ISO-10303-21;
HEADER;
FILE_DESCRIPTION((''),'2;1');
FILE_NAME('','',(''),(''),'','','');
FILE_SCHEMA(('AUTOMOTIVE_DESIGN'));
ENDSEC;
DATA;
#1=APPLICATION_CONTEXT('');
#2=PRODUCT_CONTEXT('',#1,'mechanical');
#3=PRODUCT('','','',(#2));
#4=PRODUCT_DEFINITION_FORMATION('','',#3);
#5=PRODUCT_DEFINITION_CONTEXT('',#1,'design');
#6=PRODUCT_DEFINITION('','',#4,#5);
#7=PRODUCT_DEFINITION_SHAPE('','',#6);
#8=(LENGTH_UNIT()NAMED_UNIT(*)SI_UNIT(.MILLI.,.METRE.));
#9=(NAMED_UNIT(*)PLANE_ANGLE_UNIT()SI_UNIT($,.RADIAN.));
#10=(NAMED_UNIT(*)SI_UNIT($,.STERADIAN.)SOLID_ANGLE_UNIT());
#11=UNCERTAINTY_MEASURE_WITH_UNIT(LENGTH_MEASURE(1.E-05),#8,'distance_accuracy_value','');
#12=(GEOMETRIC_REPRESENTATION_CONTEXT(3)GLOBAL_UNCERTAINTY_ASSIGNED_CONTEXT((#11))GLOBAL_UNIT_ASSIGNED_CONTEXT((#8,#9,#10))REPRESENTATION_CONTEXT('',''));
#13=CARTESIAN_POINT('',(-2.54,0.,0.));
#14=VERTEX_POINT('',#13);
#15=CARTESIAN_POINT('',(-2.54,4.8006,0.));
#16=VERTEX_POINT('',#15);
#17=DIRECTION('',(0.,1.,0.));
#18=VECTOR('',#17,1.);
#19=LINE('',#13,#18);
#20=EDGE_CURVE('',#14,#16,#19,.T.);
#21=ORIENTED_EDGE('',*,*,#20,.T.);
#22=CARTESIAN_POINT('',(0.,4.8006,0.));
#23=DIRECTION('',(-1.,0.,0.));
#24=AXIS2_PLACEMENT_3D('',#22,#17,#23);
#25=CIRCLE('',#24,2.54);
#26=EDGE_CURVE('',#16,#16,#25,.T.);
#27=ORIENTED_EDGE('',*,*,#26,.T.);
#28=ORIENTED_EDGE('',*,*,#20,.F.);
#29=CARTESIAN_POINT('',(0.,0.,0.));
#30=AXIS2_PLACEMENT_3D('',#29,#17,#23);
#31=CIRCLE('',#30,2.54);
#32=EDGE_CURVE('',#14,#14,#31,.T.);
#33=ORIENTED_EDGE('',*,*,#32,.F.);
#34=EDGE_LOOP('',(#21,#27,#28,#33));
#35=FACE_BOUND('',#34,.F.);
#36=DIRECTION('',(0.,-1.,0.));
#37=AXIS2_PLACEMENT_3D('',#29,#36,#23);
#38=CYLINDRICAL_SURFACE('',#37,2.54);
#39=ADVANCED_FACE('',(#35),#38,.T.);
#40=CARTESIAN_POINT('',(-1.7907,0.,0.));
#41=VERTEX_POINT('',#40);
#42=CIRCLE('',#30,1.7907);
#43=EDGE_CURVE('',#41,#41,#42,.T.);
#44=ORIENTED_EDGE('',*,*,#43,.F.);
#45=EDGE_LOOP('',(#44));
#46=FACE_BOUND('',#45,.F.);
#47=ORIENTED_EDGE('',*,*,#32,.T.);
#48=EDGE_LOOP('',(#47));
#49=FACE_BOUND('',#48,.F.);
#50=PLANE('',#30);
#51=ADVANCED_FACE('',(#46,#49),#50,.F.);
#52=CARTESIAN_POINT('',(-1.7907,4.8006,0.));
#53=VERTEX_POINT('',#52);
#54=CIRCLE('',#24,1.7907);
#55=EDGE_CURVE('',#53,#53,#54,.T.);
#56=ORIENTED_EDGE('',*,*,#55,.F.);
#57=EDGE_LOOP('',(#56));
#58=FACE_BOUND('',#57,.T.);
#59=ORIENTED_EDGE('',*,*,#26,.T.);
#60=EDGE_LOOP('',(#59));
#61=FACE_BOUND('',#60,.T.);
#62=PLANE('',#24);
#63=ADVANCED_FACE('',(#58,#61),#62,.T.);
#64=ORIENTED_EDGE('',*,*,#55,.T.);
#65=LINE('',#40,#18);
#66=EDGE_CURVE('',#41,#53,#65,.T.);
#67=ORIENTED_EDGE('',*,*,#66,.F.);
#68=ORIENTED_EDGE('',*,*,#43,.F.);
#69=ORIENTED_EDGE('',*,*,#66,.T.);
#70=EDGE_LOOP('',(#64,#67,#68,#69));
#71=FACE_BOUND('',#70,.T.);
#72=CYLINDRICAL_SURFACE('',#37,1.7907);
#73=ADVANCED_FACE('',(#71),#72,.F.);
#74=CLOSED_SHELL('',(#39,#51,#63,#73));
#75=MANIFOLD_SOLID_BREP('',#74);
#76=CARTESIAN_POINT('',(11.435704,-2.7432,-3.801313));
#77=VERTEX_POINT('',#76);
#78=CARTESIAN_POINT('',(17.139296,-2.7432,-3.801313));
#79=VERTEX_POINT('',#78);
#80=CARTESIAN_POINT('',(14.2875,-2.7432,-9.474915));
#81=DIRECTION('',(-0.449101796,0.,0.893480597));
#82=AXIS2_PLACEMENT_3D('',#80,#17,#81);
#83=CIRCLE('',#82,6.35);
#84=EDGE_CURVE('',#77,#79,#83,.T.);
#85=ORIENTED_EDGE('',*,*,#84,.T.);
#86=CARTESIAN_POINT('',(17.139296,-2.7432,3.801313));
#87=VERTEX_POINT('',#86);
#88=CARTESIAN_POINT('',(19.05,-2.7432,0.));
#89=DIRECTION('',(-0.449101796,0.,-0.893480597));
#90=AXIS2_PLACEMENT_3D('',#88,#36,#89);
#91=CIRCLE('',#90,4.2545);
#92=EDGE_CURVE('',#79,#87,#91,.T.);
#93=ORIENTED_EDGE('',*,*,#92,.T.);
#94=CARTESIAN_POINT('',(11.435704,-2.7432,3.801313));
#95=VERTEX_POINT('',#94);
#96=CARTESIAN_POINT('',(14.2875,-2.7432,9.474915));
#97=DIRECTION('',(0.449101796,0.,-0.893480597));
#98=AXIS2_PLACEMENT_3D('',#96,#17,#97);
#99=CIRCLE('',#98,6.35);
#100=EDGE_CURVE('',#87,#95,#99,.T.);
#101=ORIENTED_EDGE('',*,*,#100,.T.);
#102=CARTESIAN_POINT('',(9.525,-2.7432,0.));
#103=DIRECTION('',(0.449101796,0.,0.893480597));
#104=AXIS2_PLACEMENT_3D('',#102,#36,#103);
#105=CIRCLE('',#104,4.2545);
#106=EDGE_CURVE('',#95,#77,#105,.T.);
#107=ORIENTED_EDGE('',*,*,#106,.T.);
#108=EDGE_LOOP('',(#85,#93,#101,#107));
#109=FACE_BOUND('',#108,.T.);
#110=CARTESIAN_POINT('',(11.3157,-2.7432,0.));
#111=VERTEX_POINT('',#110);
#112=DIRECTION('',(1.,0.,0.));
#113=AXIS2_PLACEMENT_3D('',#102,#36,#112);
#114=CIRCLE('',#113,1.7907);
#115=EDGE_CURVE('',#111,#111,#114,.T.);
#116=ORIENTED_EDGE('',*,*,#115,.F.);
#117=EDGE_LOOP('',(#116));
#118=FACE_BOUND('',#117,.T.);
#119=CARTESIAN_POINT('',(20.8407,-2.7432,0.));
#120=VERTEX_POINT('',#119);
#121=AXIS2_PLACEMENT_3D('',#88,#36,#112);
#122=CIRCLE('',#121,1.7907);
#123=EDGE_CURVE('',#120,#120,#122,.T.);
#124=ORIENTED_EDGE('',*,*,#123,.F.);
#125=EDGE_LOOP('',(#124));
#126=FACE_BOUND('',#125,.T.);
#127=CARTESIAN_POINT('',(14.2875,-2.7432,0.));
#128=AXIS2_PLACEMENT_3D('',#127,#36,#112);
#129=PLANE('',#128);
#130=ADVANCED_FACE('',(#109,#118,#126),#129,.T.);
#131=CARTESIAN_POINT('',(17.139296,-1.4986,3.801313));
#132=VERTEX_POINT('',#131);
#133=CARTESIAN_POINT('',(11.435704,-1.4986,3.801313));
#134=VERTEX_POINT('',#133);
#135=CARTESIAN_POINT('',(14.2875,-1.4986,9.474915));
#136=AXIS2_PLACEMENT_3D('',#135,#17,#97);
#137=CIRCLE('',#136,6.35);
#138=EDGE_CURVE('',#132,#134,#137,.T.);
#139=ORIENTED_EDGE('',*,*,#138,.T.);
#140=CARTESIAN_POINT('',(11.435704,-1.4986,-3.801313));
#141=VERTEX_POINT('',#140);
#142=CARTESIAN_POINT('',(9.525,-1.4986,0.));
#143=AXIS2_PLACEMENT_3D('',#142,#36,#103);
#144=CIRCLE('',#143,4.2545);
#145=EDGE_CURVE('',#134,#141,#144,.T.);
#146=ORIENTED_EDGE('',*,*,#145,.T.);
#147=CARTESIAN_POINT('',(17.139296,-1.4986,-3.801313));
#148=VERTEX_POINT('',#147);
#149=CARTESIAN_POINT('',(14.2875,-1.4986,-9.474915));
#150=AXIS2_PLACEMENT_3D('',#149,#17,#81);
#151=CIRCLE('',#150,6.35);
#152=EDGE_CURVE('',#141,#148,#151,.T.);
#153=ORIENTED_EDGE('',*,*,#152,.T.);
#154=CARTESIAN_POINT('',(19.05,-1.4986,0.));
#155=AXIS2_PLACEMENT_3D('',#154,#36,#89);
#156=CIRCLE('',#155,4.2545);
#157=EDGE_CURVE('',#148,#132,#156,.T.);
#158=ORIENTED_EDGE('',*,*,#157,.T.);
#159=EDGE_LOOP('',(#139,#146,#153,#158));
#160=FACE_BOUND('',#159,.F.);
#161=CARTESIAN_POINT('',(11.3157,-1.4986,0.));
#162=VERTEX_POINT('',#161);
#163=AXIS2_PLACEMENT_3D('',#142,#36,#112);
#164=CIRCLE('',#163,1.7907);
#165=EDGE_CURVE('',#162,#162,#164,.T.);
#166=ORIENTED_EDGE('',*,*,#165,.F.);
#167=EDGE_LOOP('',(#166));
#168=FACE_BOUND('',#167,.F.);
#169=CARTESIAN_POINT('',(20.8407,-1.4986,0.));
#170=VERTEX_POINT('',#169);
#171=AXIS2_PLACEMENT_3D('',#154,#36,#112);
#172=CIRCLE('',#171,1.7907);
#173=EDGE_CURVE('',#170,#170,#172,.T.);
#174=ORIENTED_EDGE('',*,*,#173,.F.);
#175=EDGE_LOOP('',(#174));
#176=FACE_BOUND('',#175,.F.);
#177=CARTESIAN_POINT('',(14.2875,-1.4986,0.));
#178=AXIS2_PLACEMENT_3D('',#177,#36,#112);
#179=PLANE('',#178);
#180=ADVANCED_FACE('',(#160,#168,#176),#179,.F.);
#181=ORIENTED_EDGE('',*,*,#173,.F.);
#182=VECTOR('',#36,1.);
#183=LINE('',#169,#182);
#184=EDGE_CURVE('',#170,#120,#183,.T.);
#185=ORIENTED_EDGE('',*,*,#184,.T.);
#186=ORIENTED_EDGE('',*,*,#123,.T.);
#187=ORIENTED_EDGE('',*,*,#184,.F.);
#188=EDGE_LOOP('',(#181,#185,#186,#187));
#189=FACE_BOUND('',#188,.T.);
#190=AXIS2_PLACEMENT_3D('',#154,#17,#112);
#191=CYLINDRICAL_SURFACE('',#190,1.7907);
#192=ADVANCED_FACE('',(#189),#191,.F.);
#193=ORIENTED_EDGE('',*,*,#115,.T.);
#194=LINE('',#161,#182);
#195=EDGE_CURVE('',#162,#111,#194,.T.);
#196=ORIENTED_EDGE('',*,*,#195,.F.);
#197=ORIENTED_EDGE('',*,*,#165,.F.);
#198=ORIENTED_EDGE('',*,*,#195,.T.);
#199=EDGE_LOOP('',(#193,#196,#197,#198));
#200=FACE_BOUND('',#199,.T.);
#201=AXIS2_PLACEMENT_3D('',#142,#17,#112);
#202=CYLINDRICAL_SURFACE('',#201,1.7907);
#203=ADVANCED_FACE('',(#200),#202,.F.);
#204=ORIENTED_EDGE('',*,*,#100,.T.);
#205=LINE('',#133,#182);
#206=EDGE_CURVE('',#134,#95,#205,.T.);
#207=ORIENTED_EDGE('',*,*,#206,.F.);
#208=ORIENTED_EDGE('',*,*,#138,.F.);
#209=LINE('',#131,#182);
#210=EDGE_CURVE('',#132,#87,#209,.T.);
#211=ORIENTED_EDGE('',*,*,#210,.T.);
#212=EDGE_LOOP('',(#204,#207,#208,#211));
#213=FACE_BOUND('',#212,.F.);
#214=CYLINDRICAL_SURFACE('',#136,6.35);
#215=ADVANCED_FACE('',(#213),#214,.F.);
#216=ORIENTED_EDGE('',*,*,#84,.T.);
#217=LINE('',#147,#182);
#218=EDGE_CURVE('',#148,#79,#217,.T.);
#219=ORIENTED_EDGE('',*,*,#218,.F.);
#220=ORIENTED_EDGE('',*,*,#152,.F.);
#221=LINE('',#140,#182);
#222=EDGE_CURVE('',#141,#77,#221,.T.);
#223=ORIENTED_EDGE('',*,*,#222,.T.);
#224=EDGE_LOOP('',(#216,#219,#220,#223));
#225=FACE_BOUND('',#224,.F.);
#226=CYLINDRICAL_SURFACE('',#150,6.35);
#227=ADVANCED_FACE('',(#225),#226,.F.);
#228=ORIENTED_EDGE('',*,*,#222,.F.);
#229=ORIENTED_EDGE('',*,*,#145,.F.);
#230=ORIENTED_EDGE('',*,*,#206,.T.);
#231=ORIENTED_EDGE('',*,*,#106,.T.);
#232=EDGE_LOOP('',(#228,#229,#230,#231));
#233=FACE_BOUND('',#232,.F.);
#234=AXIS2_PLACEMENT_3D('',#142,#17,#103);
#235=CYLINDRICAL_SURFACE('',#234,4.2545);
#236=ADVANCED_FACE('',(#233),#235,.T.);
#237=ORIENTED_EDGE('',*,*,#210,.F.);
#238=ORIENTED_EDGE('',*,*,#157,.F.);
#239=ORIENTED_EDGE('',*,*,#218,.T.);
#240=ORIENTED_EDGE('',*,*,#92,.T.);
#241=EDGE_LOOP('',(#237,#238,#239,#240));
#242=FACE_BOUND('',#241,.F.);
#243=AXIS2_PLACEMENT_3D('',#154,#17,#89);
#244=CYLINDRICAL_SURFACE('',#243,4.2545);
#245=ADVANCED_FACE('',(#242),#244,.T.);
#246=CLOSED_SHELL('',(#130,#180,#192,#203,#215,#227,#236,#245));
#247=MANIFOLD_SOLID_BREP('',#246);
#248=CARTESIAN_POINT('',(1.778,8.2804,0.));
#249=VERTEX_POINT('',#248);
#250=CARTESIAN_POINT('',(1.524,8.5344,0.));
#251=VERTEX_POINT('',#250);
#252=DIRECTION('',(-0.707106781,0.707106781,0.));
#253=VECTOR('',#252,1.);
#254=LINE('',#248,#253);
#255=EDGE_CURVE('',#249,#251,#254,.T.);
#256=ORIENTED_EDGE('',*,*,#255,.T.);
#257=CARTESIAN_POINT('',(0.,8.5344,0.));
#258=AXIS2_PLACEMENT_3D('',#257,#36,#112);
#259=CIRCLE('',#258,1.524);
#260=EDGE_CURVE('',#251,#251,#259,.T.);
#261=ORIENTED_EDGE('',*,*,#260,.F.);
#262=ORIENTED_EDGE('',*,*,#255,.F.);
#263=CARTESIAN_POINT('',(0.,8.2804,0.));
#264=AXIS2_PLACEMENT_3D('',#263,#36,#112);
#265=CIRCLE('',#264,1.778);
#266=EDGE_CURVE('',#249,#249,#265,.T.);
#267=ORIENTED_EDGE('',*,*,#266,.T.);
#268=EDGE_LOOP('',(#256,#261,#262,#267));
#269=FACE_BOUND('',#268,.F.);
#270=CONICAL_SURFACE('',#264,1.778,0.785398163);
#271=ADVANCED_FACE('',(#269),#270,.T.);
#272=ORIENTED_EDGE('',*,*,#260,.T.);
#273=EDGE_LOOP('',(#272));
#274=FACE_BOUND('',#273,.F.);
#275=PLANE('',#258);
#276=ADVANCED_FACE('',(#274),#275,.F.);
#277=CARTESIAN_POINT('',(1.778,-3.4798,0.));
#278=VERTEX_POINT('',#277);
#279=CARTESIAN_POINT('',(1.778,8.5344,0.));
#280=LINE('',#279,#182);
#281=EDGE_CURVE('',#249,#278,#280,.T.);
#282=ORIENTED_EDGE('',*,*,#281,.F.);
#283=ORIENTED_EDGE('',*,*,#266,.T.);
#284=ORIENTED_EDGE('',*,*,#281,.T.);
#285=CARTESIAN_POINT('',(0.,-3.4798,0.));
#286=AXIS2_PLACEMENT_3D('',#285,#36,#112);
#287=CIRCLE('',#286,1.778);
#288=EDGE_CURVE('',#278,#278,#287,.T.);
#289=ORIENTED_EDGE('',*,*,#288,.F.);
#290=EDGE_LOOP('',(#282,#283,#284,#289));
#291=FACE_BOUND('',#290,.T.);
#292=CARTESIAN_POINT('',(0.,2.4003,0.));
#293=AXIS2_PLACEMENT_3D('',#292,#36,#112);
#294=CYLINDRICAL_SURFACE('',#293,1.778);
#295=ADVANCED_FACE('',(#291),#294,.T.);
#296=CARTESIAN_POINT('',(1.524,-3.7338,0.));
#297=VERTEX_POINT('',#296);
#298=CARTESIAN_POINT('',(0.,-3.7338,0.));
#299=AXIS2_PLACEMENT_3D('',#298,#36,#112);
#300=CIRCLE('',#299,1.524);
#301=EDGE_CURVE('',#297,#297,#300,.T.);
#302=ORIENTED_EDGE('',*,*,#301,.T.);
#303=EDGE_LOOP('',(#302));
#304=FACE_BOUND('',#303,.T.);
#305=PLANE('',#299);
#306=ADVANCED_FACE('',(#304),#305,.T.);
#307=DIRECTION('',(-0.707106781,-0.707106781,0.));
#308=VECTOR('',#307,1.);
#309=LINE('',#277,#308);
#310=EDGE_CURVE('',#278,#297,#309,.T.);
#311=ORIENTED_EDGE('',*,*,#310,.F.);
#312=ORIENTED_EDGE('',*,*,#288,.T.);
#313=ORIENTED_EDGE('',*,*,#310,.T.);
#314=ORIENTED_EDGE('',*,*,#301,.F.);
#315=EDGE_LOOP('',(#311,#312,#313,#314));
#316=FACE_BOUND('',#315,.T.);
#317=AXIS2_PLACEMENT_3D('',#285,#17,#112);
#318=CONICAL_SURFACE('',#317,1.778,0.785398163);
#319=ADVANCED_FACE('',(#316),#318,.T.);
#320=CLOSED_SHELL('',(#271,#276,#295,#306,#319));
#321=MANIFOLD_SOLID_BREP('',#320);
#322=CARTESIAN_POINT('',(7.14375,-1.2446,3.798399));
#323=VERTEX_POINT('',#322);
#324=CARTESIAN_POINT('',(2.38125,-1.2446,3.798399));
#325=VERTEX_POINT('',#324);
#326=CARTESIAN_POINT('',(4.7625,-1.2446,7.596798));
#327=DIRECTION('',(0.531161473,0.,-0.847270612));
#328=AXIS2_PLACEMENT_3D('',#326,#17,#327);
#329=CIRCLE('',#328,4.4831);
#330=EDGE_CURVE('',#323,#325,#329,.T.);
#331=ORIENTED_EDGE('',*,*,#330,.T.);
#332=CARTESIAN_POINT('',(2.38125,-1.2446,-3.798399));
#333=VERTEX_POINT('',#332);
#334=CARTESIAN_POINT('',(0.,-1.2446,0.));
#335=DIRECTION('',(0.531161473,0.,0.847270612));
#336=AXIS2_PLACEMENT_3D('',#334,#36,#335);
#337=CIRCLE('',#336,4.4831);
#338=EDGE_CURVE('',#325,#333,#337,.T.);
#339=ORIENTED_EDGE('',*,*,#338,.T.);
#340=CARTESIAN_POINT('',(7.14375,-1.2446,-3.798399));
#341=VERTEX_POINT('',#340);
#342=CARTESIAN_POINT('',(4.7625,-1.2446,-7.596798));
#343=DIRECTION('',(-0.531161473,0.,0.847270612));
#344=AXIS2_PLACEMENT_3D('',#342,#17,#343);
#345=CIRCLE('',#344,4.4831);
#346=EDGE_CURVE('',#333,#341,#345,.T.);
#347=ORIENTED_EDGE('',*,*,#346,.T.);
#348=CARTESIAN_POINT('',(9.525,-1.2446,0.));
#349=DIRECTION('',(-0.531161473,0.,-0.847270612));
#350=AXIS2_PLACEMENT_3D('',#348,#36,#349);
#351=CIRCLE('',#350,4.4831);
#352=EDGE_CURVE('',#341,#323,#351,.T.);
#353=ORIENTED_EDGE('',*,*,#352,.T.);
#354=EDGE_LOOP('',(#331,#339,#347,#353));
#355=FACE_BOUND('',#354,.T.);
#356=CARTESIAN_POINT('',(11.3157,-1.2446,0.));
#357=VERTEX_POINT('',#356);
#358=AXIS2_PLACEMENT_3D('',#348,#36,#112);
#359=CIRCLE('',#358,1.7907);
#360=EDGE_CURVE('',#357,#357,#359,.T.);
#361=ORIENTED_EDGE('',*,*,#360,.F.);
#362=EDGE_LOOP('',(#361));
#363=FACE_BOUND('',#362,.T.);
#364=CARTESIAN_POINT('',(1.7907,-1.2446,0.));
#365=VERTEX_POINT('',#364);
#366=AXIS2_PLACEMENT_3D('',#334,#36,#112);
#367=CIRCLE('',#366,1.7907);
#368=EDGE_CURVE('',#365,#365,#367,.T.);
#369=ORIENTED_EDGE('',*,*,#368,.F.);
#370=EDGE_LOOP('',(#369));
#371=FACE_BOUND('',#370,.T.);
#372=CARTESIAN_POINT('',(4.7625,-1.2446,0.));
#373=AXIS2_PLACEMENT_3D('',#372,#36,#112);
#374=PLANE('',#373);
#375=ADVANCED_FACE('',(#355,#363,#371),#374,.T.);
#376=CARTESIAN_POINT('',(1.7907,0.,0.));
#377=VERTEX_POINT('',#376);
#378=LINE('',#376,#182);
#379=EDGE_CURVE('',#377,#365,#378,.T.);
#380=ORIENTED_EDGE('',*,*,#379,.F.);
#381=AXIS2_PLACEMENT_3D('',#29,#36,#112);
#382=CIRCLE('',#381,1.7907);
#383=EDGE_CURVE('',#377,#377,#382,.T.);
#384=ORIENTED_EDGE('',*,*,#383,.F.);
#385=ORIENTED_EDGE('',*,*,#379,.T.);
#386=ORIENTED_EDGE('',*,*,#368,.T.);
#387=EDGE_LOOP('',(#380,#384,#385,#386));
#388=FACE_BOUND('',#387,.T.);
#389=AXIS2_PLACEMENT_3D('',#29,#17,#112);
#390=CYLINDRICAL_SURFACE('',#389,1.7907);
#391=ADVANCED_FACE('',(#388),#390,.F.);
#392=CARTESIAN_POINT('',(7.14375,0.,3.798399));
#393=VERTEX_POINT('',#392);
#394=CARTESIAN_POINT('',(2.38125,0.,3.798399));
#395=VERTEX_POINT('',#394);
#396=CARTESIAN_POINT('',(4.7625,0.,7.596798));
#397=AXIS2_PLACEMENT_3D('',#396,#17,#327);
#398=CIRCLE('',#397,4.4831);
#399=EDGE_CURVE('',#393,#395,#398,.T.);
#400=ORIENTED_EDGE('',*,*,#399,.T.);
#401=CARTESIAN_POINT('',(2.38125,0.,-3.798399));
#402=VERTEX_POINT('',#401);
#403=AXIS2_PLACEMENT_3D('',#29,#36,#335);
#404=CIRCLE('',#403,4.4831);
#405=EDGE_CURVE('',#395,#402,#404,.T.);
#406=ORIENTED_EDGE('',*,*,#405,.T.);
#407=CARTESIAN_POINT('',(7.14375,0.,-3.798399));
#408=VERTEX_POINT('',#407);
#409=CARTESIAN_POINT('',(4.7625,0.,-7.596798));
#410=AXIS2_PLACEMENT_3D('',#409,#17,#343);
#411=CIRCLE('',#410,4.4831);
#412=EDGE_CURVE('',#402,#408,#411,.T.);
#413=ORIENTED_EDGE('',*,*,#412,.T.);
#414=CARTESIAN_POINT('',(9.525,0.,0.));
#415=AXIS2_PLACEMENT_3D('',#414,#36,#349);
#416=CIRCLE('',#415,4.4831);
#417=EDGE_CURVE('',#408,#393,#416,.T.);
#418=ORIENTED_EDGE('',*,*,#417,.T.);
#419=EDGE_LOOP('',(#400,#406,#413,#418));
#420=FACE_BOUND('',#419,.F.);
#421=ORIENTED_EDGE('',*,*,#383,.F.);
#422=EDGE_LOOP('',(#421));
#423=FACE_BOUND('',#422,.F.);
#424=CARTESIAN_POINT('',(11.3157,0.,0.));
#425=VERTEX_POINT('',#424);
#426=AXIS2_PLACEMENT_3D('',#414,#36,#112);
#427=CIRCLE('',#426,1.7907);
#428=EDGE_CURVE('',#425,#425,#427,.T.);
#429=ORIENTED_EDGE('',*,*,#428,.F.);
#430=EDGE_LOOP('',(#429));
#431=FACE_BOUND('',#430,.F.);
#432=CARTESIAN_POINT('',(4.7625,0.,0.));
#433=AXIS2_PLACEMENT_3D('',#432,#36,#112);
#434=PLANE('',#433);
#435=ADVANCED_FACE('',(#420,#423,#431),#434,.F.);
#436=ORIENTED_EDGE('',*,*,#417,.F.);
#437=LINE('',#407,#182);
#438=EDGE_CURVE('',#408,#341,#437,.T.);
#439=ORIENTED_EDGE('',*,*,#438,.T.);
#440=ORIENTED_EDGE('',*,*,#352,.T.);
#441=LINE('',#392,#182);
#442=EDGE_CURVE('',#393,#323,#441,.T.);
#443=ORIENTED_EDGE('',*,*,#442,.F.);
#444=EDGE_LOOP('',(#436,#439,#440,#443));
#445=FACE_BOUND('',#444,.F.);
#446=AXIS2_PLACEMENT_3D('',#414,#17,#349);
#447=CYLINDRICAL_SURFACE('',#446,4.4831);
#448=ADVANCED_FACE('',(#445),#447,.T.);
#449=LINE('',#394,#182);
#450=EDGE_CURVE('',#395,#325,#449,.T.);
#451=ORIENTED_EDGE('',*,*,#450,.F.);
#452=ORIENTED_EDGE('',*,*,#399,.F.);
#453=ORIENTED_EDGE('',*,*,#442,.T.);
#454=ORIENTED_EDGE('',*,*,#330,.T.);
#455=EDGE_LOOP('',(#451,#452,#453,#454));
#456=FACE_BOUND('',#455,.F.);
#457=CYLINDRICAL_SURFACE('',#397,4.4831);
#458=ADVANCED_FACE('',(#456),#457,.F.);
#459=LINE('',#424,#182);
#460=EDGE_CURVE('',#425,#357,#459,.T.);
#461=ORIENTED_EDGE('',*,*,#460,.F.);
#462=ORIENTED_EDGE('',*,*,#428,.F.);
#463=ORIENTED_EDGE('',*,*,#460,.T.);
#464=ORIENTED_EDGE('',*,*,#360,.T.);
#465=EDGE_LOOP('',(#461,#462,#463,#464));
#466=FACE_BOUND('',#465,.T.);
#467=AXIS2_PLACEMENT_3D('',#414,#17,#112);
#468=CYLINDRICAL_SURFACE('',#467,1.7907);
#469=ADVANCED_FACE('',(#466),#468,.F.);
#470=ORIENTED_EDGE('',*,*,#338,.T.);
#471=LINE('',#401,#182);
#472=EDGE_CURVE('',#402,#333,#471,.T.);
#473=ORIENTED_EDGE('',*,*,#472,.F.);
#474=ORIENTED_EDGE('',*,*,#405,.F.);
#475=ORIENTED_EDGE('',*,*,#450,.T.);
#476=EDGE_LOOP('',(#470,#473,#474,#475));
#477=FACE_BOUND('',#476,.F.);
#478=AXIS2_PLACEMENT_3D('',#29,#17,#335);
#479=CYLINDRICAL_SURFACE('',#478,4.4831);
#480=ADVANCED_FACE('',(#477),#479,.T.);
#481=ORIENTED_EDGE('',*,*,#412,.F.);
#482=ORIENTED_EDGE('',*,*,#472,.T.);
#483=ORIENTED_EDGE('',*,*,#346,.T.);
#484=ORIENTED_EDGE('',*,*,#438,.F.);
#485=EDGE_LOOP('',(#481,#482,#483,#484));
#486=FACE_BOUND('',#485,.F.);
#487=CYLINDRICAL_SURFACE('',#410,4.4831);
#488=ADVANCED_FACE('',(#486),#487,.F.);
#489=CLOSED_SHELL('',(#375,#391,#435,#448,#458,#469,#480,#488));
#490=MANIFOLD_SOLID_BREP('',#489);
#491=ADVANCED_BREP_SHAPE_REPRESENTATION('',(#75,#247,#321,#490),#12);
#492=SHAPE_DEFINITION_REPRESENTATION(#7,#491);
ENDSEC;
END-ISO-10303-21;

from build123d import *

# Parameters (mm, degrees)
F0_R      = 1.7907
F1_DEPTH  = 1.2446
F2_R      = 2.54
F2_R_2    = 1.7907
F3_DEPTH  = 4.8006
F6_R      = 1.778
F7_DEPTH  = 6.1341
F8_SIZE   = 0.254
F10_R     = 1.7907
F11_DEPTH = 1.2446


with BuildPart() as f1:
    # F0 (on Front) → F1 (new body)
    with BuildSketch(Plane.XZ):
        with BuildLine():
            ThreePointArc((7.14375, 3.7983988795), (4.7625, 3.1136977589), (2.38125, 3.7983988795))
            ThreePointArc((2.38125, 3.7983988795), (-4.4831, 0), (2.38125, -3.7983988795))
            ThreePointArc((2.38125, -3.7983988795), (4.7625, -3.1136977589), (7.14375, -3.7983988795))
            ThreePointArc((7.14375, -3.7983988795), (14.0081, 0), (7.14375, 3.7983988795))
        make_face()
        Circle(F0_R, mode=Mode.SUBTRACT)
        with Locations((9.525, 0)):
            Circle(F0_R, mode=Mode.SUBTRACT)
    extrude(amount=F1_DEPTH)


with BuildPart() as f3:
    # F2 (on face) → F3 (new body)
    with BuildSketch(Plane(origin=(0, 0, 0), x_dir=(-1, 0, 0), z_dir=(0, 1, 0))):
        Circle(F2_R)
        Circle(F2_R_2, mode=Mode.SUBTRACT)
    extrude(amount=F3_DEPTH)


with BuildPart() as f7:
    # F6 (on plane+point) → F7 (new body, symmetric)
    with BuildSketch(Plane.XZ.offset(-2.4003)):
        Circle(F6_R)
    extrude(amount=F7_DEPTH, both=True)

    # F8
    f8_edges = [f7.edges().sort_by_distance(p)[0] for p in [
        (-1.778, -3.7338, 0),
        (-1.778, 8.5344, 0),
    ]]
    chamfer(f8_edges, length=F8_SIZE)


with BuildPart() as f11:
    # F10 (on offset) → F11 (new body)
    with BuildSketch(Plane.XZ.offset(1.4986)):
        with BuildLine():
            ThreePointArc((17.1392964072, 3.8013131981), (14.2875, 3.1249149864), (11.4357035928, 3.8013131981))
            ThreePointArc((11.4357035928, 3.8013131981), (5.2705, 0), (11.4357035928, -3.8013131981))
            ThreePointArc((11.4357035928, -3.8013131981), (14.2875, -3.1249149864), (17.1392964072, -3.8013131981))
            ThreePointArc((17.1392964072, -3.8013131981), (23.3045, 0), (17.1392964072, 3.8013131981))
        make_face()
        with Locations((9.525, 0)):
            Circle(F10_R, mode=Mode.SUBTRACT)
        with Locations((19.05, 0)):
            Circle(F10_R, mode=Mode.SUBTRACT)
    extrude(amount=F11_DEPTH)


solid = Compound([f1.part, f3.part, f7.part, f11.part])
